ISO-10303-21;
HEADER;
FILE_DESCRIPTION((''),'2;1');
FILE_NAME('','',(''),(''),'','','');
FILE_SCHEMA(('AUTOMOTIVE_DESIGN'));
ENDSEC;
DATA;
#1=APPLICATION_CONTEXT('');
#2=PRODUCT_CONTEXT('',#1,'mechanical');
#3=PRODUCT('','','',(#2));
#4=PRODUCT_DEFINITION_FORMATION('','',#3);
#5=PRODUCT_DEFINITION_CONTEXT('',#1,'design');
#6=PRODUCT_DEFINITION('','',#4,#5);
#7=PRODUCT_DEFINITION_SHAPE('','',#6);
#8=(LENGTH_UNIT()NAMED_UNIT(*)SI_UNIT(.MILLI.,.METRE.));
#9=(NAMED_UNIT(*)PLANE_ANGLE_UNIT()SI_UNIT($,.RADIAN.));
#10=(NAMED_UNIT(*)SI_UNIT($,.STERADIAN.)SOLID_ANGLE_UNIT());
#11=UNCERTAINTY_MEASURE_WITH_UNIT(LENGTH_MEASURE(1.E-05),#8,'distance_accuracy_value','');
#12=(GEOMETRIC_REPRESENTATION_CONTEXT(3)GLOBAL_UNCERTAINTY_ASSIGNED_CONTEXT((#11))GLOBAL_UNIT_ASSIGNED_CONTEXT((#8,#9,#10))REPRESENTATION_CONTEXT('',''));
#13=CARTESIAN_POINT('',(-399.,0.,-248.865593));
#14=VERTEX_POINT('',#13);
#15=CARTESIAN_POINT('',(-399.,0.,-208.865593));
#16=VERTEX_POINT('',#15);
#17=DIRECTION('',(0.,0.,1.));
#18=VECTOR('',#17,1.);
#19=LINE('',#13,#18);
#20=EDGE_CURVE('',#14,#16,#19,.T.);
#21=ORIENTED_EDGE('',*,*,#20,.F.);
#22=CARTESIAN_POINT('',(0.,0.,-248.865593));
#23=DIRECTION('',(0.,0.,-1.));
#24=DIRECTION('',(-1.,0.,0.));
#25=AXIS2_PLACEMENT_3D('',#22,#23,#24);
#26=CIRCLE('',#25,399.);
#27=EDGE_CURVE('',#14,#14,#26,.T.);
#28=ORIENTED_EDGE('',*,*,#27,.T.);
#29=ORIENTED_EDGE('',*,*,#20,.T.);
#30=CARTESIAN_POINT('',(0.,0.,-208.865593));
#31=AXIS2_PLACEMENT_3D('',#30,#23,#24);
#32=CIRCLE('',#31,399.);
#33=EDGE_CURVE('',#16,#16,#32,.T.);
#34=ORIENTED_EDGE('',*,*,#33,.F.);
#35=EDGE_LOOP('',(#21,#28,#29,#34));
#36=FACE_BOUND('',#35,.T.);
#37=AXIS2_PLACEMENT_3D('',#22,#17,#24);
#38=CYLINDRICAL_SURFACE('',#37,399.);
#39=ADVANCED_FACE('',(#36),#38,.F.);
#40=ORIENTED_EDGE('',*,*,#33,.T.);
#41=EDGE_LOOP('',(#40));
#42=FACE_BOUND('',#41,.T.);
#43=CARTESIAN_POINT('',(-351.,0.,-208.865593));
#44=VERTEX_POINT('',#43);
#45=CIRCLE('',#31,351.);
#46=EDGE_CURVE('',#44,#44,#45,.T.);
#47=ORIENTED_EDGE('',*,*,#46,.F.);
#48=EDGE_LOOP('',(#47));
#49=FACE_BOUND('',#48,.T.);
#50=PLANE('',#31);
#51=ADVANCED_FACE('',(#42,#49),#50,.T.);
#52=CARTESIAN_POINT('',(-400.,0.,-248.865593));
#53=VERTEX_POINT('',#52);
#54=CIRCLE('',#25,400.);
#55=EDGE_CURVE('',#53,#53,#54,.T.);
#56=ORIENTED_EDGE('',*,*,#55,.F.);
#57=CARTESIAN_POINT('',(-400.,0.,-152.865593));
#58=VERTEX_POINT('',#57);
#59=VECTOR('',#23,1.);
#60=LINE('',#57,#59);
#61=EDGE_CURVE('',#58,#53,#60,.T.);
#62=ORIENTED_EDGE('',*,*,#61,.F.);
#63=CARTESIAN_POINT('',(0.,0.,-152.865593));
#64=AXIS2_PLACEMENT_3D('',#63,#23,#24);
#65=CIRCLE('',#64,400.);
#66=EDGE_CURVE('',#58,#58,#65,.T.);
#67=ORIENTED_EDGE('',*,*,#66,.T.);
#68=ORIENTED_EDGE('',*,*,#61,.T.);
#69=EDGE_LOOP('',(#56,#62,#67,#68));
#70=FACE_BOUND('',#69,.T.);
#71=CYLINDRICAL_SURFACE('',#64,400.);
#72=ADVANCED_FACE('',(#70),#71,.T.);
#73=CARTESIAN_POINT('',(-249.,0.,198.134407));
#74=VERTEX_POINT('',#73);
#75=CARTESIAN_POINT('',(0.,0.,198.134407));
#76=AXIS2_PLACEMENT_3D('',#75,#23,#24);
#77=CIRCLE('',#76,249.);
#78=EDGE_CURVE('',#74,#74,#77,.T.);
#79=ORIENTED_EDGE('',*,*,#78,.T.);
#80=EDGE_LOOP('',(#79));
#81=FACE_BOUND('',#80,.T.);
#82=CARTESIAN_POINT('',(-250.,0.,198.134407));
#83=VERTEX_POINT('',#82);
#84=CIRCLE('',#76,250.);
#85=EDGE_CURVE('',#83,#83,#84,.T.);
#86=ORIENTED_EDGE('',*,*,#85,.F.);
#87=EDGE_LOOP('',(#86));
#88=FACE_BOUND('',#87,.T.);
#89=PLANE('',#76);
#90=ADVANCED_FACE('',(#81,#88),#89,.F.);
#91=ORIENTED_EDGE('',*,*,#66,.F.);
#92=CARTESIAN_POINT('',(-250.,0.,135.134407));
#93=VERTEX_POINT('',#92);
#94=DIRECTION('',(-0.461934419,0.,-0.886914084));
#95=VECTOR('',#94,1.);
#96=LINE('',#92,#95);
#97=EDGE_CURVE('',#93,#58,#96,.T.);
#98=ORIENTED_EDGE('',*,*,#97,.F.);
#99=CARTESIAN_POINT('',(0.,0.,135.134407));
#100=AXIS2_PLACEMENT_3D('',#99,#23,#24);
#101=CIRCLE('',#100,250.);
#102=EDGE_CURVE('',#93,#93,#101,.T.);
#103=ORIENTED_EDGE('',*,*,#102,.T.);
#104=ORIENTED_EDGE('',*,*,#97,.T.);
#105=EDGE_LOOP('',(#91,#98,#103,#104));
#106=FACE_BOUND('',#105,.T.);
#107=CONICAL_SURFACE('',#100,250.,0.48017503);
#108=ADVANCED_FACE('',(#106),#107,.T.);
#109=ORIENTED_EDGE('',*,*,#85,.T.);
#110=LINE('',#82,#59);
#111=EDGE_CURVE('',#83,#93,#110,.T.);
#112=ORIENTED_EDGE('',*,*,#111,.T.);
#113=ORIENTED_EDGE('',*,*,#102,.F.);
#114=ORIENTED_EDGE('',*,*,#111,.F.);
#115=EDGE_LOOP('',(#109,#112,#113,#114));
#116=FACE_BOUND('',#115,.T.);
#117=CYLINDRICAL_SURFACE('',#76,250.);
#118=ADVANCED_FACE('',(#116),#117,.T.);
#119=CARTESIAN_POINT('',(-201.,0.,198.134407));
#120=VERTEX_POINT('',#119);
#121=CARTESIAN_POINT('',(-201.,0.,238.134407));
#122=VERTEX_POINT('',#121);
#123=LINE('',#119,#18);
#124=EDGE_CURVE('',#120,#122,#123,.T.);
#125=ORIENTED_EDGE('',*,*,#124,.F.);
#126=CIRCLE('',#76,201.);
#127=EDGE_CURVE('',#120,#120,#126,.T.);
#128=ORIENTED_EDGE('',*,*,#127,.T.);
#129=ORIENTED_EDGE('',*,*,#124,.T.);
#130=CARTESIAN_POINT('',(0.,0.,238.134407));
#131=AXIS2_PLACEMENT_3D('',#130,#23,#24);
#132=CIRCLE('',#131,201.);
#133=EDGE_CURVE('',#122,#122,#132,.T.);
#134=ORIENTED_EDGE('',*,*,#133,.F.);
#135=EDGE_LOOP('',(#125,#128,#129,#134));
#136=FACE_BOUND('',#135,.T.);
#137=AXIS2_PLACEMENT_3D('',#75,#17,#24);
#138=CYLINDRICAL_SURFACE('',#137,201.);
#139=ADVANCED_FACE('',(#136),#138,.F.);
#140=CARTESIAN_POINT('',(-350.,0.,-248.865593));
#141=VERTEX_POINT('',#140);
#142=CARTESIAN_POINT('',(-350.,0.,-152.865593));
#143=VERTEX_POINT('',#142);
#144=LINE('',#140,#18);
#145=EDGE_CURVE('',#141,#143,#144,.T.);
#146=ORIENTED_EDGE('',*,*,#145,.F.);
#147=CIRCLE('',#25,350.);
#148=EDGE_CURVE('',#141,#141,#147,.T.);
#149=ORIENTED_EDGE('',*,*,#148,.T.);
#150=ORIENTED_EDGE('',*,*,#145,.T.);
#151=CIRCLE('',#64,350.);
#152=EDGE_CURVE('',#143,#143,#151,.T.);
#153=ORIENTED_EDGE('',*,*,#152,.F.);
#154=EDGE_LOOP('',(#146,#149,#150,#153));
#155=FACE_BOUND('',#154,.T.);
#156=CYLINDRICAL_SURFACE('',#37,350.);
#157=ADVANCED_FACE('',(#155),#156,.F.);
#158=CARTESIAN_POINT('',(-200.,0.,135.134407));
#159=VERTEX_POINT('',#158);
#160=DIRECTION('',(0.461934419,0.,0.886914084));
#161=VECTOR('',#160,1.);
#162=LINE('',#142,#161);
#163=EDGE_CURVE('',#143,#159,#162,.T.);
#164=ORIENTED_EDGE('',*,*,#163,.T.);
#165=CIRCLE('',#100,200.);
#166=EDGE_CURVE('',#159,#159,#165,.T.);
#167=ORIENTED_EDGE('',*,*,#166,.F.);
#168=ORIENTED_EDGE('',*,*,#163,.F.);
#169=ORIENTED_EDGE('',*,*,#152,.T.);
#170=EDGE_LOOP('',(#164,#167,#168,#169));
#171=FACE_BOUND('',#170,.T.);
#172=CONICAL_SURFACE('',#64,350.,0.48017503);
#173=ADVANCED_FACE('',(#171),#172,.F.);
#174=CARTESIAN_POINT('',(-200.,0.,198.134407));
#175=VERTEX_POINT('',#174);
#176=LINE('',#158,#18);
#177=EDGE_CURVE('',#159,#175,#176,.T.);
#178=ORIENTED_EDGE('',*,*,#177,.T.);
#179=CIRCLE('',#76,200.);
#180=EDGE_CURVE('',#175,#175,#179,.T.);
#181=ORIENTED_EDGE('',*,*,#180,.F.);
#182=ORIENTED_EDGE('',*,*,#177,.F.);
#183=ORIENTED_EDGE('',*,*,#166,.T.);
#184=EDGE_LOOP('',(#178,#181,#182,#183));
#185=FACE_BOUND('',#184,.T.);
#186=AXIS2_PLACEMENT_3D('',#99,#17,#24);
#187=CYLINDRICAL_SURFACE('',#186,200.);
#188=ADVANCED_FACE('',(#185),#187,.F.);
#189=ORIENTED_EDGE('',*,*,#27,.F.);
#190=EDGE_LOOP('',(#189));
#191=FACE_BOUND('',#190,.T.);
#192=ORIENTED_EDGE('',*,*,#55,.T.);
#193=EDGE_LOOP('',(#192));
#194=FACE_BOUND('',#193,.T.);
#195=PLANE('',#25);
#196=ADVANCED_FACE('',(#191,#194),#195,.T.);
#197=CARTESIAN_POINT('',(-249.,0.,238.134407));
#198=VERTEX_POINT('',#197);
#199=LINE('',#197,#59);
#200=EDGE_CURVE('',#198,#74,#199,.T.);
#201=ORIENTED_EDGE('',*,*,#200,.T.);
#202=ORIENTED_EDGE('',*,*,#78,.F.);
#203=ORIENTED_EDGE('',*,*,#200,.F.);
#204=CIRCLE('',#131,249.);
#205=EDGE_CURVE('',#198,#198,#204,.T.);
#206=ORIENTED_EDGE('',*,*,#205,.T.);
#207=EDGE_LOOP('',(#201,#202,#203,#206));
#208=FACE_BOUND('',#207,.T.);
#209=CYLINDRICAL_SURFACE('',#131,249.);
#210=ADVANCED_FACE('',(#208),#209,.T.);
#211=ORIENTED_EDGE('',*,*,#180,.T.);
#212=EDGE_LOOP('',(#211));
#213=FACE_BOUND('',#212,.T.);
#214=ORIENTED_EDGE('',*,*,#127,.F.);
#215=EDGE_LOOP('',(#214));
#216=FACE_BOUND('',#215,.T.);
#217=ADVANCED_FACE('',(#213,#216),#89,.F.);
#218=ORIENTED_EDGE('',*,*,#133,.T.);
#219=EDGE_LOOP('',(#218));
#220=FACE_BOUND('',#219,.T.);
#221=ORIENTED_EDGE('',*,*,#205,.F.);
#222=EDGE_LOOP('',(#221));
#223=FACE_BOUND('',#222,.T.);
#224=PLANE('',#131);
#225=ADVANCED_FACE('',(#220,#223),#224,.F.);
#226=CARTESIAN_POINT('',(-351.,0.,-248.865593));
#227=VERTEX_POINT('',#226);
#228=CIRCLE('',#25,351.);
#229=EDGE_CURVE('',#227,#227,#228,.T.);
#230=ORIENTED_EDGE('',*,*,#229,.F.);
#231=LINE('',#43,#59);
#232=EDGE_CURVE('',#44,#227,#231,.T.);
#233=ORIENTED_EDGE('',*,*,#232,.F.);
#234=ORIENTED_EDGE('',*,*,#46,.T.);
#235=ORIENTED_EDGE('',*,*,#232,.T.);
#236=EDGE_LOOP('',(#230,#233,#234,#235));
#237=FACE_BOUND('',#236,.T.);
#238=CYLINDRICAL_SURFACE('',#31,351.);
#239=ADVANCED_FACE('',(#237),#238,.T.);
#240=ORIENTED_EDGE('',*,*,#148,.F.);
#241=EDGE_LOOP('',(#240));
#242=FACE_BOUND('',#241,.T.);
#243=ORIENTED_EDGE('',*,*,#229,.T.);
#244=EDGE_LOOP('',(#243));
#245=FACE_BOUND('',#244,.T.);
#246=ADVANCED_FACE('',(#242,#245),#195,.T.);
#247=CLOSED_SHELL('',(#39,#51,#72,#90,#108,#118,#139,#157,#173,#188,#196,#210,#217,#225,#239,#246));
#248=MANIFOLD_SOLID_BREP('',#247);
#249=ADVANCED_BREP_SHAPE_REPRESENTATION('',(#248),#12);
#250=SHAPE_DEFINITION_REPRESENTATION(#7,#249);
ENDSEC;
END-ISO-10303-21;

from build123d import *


with BuildPart() as f1:
    # F0 (on Front) → F1 (revolve)
    with BuildSketch(Plane.XZ):
        Polygon((-351, -248.865593), (-350, -248.865593), (-350, -152.865593), (-200, 135.134407), (-200, 198.134407), (-201, 198.134407), (-201, 238.134407), (-249, 238.134407), (-249, 198.134407), (-250, 198.134407), (-250, 135.134407), (-400, -152.865593), (-400, -248.865593), (-399, -248.865593), (-399, -208.865593), (-351, -208.865593), align=None)
    revolve(axis=Axis((0, 0, -0.829662), (0, 0, -1)))


solid = f1.part
